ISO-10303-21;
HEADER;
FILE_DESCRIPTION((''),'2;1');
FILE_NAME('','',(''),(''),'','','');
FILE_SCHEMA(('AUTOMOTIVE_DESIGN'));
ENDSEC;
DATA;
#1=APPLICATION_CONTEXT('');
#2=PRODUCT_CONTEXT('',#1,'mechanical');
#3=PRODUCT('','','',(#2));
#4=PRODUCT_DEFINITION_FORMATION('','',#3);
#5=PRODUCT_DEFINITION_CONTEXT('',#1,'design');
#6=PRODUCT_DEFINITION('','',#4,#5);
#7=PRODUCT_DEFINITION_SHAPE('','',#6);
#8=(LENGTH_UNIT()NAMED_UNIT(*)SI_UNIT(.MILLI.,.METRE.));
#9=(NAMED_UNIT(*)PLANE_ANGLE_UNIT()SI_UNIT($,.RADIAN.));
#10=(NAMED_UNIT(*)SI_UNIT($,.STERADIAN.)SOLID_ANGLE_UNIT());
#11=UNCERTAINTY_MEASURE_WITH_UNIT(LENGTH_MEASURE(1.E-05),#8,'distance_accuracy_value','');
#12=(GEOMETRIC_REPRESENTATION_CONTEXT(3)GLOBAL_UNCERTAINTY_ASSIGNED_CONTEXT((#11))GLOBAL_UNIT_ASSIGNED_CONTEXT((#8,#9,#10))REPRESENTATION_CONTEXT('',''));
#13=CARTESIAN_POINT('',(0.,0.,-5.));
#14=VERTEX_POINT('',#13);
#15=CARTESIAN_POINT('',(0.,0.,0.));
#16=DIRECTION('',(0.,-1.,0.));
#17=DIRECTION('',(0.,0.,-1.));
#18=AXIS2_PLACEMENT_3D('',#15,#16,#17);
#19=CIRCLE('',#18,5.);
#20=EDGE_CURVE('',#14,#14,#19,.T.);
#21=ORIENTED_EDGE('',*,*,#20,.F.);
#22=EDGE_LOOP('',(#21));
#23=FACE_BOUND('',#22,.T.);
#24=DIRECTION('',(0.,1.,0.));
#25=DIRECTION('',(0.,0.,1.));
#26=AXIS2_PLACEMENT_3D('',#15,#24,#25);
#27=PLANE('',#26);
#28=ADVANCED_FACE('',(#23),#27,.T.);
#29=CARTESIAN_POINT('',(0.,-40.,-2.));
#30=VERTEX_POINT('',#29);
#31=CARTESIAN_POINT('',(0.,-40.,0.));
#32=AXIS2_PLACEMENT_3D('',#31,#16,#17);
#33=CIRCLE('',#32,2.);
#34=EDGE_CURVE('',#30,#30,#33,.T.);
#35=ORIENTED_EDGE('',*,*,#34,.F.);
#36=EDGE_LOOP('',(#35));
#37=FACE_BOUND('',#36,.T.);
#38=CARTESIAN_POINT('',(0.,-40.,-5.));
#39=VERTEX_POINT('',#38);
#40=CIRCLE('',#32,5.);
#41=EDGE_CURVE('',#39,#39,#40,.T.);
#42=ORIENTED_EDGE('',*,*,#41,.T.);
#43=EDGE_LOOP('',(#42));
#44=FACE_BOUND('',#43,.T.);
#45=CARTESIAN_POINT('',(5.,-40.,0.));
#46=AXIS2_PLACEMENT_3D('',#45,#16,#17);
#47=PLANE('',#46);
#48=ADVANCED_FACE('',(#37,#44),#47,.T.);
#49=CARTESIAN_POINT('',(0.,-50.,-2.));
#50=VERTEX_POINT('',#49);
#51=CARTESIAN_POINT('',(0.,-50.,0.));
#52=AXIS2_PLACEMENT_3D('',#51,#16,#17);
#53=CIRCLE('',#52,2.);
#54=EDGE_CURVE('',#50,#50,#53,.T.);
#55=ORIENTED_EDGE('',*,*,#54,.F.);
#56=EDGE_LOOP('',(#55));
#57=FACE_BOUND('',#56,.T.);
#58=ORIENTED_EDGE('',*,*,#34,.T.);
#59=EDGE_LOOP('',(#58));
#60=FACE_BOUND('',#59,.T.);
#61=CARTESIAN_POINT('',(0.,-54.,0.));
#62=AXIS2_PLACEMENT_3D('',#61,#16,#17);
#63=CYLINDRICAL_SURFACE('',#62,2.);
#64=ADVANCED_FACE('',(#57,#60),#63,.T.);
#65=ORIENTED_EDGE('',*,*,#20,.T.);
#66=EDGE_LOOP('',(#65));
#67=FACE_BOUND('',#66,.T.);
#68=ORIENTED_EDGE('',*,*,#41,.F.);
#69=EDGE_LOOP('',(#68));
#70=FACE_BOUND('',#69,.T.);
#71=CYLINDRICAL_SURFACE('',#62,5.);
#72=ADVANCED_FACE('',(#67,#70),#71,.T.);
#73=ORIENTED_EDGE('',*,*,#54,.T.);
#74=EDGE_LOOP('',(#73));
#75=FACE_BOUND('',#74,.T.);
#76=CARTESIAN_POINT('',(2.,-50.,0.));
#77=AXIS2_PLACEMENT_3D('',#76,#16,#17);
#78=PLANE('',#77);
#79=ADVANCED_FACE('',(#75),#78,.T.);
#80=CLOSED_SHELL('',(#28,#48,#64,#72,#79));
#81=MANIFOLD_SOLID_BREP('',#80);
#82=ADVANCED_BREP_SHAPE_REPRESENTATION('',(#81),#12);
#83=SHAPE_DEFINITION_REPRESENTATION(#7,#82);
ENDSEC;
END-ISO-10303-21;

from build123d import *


with BuildPart() as part:
    # Sketch1 → Cuerpo (revolve)
    with BuildSketch(Plane.XY, mode=Mode.PRIVATE) as cuerpo_sk:
        Polygon((0, 0), (5, 0), (5, -40), (2, -40), (2, -50), (0, -50), align=None)
    revolve(cuerpo_sk.sketch.rotate(Axis((0, -54, 0), (0, 1, 0)), 90), axis=Axis((0, -54, 0), (0, 1, 0)))


solid = part.part
